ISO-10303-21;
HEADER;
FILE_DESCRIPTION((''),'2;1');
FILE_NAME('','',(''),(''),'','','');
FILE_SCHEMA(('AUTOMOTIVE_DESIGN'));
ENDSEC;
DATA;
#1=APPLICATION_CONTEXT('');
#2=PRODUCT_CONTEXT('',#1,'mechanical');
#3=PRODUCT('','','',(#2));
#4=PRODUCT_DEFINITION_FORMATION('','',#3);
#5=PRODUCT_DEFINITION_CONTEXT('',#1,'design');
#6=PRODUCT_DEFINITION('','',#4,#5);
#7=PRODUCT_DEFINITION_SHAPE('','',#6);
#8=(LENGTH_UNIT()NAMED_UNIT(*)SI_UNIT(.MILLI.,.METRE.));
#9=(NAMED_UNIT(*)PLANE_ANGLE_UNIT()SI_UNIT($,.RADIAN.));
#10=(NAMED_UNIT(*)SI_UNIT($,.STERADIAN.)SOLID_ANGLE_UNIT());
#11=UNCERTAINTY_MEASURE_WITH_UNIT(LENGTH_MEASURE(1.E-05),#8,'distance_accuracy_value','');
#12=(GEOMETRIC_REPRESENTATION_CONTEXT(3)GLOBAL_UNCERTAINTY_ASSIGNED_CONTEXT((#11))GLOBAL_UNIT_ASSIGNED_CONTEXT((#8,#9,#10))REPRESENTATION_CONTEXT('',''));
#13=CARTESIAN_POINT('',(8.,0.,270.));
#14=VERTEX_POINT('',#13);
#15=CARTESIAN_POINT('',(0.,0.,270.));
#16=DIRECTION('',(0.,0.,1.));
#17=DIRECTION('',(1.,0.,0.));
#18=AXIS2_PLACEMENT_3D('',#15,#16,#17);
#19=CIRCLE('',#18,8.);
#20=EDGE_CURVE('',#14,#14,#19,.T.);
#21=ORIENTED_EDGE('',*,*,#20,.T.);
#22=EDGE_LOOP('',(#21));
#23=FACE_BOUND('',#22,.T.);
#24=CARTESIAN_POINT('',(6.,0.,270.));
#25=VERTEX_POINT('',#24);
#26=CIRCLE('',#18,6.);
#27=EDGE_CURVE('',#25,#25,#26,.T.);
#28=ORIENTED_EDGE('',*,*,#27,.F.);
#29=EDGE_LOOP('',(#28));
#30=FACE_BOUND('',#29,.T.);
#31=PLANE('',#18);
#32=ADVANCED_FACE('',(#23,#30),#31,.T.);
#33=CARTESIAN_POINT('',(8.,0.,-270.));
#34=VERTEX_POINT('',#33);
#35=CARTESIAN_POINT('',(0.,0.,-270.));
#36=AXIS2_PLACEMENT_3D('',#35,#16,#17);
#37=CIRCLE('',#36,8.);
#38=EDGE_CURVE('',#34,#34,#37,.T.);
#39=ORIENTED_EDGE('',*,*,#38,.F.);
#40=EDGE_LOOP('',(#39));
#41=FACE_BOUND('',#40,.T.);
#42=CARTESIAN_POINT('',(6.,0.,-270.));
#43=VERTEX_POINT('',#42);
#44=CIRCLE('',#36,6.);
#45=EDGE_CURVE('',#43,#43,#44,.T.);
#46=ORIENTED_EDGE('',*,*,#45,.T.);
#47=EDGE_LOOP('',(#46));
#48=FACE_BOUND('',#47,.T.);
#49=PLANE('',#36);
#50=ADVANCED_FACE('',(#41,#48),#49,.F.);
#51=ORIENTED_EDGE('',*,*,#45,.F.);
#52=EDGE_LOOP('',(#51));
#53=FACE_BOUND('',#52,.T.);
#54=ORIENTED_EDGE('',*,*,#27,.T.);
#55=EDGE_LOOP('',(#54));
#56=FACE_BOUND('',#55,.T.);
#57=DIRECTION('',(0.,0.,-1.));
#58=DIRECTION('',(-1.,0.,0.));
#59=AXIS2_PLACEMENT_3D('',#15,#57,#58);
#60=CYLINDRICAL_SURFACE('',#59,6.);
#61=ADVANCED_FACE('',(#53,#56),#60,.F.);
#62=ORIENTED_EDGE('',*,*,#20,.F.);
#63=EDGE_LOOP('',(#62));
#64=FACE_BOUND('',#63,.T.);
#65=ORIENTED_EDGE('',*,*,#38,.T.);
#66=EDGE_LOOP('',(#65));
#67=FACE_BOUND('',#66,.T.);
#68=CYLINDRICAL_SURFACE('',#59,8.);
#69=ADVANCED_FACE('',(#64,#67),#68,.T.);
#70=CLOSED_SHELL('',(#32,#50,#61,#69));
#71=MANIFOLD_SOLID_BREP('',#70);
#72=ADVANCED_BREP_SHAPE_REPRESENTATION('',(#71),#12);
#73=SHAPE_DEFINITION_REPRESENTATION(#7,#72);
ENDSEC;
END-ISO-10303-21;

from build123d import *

# Parameters (mm, degrees)
SKETCH1_R           = 8
SKETCH1_R_2         = 6
BOSS_EXTRUDE1_DEPTH = 270


with BuildPart() as part:
    # Sketch1 → Boss-Extrude1 (new body, symmetric)
    with BuildSketch(Plane.XY):
        Circle(SKETCH1_R)
        Circle(SKETCH1_R_2, mode=Mode.SUBTRACT)
    extrude(amount=BOSS_EXTRUDE1_DEPTH, both=True)


solid = part.part
